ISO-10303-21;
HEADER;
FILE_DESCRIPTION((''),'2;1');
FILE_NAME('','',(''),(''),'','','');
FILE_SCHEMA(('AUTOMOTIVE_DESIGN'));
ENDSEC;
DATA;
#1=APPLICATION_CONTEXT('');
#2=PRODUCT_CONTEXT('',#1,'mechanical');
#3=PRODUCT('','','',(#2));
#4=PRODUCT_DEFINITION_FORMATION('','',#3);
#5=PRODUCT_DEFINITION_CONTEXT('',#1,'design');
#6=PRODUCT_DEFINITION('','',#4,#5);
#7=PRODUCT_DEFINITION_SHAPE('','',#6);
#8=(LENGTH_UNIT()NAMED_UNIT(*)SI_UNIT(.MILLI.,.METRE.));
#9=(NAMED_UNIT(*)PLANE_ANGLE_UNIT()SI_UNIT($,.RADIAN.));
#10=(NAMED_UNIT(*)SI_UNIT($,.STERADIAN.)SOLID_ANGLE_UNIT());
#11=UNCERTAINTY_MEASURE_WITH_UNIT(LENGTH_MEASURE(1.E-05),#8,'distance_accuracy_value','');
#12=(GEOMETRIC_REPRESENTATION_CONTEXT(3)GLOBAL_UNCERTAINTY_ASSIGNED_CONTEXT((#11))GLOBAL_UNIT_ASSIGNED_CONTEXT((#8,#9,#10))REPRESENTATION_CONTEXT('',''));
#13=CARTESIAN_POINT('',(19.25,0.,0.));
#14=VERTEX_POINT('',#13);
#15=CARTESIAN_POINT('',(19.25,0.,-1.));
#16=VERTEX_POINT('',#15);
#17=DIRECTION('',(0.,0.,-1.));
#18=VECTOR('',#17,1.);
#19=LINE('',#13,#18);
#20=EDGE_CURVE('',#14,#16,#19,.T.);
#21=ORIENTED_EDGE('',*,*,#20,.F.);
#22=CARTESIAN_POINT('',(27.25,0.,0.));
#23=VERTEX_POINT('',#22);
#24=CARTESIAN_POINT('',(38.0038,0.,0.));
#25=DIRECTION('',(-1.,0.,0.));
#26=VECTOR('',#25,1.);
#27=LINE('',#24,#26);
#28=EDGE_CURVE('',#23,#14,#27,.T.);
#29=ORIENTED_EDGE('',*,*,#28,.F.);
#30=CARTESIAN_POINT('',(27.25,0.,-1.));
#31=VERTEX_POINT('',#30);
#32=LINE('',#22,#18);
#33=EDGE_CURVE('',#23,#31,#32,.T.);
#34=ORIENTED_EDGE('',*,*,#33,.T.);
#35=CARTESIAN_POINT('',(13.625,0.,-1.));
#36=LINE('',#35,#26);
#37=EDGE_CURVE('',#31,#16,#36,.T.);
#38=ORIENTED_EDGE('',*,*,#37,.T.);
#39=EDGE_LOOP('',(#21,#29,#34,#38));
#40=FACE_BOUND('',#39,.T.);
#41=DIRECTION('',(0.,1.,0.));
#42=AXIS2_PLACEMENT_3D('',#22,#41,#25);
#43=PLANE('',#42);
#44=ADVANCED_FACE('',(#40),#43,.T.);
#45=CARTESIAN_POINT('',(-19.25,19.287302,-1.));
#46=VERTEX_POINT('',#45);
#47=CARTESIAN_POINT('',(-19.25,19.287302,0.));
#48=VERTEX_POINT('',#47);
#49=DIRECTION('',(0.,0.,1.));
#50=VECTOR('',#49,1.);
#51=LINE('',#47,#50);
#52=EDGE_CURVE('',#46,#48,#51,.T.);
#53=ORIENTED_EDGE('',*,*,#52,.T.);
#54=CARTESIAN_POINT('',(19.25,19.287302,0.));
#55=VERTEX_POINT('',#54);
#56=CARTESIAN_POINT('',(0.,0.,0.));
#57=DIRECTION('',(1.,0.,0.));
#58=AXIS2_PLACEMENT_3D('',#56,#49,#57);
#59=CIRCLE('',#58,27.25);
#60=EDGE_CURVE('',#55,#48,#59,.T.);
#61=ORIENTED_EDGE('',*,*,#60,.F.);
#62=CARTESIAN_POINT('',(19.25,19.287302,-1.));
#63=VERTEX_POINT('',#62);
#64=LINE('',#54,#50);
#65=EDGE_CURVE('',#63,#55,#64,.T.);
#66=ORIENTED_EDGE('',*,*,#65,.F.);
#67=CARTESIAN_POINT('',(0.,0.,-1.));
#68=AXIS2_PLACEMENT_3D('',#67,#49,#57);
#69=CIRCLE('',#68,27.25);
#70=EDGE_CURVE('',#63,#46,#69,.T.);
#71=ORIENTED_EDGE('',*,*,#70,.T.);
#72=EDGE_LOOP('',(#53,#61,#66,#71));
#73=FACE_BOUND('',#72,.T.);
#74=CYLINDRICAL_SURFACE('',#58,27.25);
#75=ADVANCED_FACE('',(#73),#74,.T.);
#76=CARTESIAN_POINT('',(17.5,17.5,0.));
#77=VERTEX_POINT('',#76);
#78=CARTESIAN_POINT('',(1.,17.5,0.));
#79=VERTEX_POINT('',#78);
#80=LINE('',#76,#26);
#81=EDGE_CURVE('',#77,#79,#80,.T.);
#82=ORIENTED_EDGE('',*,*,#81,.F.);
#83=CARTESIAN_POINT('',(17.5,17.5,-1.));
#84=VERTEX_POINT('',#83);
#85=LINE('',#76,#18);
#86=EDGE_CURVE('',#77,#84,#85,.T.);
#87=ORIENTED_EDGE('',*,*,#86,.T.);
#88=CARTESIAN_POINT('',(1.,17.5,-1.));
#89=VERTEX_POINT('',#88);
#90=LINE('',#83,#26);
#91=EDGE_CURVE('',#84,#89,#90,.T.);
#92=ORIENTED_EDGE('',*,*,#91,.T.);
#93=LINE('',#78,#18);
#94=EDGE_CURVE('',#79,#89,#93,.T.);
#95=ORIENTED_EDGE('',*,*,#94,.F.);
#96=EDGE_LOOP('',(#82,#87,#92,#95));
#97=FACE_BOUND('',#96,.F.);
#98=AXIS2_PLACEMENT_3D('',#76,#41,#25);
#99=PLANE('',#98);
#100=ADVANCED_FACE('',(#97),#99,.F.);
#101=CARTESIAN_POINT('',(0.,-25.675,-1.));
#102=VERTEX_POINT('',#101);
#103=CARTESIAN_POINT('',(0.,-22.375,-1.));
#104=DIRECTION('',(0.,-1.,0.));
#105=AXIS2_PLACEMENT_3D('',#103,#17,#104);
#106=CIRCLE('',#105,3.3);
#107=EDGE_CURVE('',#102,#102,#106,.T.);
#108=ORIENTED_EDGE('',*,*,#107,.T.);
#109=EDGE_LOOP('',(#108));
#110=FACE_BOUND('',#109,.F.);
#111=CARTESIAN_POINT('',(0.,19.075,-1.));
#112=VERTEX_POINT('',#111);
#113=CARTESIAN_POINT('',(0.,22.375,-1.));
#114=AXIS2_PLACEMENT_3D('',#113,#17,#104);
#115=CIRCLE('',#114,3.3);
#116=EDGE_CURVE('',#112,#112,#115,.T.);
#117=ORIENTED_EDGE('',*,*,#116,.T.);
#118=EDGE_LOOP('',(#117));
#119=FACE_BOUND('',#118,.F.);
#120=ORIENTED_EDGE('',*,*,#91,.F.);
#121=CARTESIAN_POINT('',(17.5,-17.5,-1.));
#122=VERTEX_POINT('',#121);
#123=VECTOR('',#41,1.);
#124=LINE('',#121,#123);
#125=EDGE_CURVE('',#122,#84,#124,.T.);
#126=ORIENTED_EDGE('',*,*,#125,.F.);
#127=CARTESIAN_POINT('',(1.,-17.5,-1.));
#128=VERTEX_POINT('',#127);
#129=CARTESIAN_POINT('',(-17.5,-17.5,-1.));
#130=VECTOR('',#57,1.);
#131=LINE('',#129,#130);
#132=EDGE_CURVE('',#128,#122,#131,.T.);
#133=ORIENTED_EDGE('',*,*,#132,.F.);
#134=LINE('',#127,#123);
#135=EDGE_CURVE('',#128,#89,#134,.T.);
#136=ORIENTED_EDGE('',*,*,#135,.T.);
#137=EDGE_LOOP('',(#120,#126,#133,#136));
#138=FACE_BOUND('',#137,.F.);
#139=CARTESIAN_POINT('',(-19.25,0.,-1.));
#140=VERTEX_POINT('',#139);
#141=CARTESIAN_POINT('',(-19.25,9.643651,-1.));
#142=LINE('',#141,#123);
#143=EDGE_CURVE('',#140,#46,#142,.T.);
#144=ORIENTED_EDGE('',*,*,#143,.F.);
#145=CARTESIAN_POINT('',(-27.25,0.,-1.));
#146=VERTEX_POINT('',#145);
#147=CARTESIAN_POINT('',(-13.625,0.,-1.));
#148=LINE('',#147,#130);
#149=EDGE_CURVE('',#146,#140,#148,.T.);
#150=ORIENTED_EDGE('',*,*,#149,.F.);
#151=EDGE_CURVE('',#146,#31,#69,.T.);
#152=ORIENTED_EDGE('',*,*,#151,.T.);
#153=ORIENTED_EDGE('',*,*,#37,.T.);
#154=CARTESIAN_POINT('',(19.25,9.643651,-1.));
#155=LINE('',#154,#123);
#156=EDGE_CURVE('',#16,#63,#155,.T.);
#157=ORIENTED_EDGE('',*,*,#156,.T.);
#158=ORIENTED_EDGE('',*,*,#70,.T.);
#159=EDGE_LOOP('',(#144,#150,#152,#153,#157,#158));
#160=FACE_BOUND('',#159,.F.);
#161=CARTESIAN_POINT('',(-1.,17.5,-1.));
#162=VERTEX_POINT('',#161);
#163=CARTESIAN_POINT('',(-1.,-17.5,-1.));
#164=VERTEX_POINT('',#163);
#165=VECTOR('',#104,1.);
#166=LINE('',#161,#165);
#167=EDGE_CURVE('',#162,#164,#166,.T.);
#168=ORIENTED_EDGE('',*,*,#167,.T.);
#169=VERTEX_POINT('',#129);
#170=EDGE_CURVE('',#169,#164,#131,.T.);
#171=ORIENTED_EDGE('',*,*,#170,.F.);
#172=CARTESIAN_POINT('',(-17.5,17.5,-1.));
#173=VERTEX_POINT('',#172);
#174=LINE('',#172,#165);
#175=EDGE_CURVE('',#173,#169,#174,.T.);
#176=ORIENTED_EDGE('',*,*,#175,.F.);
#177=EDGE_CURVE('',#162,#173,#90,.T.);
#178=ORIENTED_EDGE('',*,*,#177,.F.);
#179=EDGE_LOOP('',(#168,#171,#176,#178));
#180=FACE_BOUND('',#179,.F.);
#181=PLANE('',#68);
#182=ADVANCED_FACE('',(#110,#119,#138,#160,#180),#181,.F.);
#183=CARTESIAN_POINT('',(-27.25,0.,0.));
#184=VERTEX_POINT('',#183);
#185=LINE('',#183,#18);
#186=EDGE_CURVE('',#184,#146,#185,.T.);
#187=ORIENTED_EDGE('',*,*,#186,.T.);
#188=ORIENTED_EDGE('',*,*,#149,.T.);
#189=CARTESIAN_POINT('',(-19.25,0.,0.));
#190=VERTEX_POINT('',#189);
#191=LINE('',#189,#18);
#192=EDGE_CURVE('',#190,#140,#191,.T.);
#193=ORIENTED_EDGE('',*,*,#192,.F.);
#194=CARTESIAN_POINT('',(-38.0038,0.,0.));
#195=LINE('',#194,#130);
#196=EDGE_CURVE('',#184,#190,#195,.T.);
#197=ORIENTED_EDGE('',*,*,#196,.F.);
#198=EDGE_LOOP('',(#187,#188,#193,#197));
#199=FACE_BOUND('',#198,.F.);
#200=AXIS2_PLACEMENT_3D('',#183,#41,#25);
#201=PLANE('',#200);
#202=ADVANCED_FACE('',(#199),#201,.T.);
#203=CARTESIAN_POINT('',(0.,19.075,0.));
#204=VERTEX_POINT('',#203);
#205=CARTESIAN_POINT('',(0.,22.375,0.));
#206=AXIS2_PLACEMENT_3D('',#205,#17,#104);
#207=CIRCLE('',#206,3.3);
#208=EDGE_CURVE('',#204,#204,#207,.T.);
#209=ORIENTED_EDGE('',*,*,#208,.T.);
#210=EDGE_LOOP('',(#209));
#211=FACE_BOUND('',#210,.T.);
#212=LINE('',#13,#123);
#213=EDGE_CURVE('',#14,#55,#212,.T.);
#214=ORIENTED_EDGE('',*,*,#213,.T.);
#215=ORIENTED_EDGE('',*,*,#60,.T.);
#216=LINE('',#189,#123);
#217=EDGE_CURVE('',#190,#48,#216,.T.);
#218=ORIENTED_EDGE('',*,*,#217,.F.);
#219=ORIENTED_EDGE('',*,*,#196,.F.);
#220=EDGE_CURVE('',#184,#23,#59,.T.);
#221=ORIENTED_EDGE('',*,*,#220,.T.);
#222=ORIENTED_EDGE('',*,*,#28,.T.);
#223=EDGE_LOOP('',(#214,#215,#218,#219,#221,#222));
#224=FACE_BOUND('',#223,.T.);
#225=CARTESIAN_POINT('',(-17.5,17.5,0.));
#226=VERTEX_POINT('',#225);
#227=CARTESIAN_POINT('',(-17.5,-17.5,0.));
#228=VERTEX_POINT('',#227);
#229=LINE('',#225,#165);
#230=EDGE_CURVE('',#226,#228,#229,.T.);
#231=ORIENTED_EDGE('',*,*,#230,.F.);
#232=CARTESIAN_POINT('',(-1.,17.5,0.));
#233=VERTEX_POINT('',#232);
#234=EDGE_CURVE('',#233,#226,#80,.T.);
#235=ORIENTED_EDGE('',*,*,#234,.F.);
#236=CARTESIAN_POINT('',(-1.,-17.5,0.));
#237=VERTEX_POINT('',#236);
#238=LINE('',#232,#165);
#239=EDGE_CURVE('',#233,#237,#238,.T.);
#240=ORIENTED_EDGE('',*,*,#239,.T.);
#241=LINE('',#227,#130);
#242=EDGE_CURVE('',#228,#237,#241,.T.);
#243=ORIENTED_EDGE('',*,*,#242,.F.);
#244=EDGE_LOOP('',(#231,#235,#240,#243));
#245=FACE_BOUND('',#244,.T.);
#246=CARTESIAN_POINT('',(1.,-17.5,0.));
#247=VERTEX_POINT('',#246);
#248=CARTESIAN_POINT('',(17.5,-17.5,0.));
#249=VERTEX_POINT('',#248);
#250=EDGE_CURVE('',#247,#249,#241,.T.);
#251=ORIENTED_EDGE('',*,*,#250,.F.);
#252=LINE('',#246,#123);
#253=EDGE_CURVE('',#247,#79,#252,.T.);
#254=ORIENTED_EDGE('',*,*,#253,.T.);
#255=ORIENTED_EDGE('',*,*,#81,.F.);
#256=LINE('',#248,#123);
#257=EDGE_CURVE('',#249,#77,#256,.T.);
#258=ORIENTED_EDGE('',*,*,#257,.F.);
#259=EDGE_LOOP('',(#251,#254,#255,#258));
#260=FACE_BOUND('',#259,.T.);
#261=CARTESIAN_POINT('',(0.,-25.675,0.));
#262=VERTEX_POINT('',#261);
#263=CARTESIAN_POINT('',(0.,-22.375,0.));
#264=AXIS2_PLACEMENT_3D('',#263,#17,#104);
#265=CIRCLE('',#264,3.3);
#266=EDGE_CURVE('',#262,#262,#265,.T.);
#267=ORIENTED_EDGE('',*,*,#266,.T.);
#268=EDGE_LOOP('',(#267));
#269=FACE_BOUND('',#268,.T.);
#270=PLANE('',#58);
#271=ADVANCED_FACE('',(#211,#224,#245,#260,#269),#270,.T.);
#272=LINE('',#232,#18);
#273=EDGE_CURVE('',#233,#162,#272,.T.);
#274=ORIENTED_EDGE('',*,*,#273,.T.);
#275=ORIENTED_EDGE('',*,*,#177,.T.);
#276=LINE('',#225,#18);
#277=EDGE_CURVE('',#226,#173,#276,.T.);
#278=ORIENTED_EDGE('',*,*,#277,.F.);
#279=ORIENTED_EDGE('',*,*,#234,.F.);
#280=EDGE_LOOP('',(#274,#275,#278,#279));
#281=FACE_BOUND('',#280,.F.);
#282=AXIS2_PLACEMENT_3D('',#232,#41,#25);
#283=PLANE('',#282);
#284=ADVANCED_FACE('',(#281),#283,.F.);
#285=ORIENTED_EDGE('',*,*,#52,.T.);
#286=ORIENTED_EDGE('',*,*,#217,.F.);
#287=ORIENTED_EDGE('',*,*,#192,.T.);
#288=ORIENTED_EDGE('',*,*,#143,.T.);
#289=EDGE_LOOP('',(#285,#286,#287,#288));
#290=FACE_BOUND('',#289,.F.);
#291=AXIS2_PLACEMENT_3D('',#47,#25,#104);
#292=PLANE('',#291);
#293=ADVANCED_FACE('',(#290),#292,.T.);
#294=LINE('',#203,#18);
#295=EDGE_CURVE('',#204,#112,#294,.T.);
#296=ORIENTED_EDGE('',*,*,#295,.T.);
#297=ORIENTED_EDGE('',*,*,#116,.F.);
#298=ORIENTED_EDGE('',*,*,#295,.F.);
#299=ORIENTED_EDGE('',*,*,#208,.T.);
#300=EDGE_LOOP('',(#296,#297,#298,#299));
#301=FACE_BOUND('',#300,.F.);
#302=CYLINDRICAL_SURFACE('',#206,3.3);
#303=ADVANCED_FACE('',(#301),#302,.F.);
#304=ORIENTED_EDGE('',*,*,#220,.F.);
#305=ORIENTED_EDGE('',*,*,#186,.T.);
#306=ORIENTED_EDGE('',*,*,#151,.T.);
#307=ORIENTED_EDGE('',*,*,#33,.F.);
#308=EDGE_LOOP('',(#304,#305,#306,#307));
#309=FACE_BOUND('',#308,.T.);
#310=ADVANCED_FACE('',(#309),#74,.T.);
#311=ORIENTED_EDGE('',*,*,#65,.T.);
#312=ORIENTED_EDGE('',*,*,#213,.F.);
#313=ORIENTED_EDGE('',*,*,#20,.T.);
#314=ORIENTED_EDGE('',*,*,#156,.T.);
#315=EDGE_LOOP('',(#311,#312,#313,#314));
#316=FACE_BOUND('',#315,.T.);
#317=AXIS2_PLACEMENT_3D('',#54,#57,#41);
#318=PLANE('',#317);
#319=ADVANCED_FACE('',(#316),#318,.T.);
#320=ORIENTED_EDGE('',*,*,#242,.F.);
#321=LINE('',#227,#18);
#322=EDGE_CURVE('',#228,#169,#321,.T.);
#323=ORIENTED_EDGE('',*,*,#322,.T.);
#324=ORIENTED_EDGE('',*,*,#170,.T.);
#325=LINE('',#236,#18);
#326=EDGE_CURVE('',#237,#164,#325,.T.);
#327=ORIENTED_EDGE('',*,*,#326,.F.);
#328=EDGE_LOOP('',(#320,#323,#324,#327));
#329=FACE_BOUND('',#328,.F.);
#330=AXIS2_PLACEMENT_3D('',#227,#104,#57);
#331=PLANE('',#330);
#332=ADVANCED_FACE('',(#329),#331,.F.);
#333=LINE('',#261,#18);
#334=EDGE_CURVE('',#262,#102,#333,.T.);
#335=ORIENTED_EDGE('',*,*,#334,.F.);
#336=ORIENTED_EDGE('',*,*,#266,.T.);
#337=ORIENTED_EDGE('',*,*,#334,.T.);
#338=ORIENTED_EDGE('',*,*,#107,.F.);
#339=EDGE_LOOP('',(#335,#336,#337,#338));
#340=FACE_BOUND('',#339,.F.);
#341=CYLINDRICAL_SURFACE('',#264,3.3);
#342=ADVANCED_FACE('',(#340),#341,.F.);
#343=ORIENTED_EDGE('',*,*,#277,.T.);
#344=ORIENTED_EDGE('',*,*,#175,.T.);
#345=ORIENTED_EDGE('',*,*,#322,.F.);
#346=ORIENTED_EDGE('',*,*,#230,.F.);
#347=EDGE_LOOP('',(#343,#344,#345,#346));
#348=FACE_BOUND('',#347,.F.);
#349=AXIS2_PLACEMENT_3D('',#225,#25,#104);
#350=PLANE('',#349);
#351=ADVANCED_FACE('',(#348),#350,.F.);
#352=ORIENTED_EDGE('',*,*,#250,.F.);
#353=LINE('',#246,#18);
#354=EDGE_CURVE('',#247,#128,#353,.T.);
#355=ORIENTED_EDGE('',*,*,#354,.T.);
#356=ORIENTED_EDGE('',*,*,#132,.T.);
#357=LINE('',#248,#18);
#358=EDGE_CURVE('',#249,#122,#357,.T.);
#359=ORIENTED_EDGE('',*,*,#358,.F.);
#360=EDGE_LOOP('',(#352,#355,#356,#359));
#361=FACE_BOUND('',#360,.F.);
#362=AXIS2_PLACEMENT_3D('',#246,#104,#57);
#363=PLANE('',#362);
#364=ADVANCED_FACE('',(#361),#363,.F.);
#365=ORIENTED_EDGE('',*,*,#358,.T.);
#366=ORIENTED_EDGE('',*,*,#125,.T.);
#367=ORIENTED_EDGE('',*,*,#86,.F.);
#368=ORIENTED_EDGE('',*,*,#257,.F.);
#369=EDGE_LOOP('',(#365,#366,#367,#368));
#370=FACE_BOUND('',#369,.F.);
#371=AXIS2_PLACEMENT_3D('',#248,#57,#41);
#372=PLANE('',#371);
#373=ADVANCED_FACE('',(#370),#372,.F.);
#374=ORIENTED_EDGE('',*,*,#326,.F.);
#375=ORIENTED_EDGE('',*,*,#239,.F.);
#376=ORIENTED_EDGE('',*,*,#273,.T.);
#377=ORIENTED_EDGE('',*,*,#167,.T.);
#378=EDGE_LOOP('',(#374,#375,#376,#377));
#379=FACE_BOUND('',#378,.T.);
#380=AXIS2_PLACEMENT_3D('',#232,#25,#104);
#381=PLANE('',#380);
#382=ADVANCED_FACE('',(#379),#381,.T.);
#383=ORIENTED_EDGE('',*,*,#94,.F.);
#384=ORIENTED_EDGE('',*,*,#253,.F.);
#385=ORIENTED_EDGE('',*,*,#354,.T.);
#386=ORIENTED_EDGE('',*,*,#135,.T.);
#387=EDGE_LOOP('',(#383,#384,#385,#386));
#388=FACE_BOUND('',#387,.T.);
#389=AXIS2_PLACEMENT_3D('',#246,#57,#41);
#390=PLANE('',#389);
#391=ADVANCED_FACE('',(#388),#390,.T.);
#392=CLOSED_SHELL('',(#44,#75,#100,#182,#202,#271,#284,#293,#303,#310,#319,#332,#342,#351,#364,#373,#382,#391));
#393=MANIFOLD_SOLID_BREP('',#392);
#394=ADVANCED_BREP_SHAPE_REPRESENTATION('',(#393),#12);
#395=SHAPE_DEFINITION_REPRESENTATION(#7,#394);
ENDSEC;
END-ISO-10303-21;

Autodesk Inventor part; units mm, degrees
ref_plane "YZ Plane" through (0, 0, 0) normal (1, 0, 0) x (0, 1, 0)
ref_plane "XZ Plane" through (0, 0, 0) normal (0, 1, 0) x (-1, 0, 0)
ref_plane "XY Plane" through (0, 0, 0) normal (0, 0, 1) x (1, 0, 0)
sketch "スケッチ1" plane through (0, 0, 0) normal (0, 0, 1) x (1, 0, 0)
  circle A0 centre (0, 0) radius 27.25
  line L0 (17.5, 17.5) -> (-17.5, 17.5)
  line L1 (-17.5, 17.5) -> (-17.5, -17.5)
  line L2 (-17.5, -17.5) -> (17.5, -17.5)
  line L3 (17.5, -17.5) -> (17.5, 17.5)
  line L4 (17.5, 17.5) -> (-17.5, -17.5) construction
  line L5 (-17.5, 17.5) -> (17.5, -17.5) construction
  line L6 (1, 17.5) -> (-1, 17.5)
  line L7 (-1, 17.5) -> (-1, -17.5)
  line L8 (-1, -17.5) -> (1, -17.5)
  line L9 (1, -17.5) -> (1, 17.5)
  line L10 (1, 17.5) -> (-1, -17.5) construction
  line L11 (-1, 17.5) -> (1, -17.5) construction
  point P0 (1, -17.5)
  point P1 (1, 17.5)
  point P2 (-1, 17.5)
  point P3 (-1, -17.5)
  dimension "d0" = 54.5
  dimension "d6" = 35
  dimension "d107" = 2
  dimension "d108" = 35
extrude "押し出し1" add sketch "スケッチ1" against normal blind 1 contours A0 | L9 L2 L7 L0
sketch "スケッチ2" plane through (0, 0, 0) normal (0, 0, 1) x (1, 0, 0)
  line L0 (0, 42.4511) -> (0, -37.5489)
  line L1 (38.0038, 0) -> (-41.9962, 0)
  line L2 (27.25, 42.0143) -> (27.25, -37.9857)
  circle A0 centre (0, 0) radius 27.25 projected
  line L3 (17.5, 17.5) -> (17.5, -17.5) projected
  line L4 (19.25, 25) -> (27.25, 25)
  line L5 (27.25, 25) -> (27.25, -25)
  line L6 (27.25, -25) -> (19.25, -25)
  line L7 (19.25, -25) -> (19.25, 25)
  line L8 (19.25, 25) -> (27.25, -25) construction
  line L9 (27.25, 25) -> (19.25, -25) construction
  point P0 (17.5, 0)
  point P1 (23.25, 0)
  point P2 (19.25, 0)
  point P3 (27.25, 0)
  dimension "d13" = 9.75
  dimension "d14" = 8
  dimension "d15" = 50
  dimension "d19" = 54.5
  dimension "d110" = 1.75
extrude "押し出し2" cut sketch "スケッチ2" against normal blind 10 contours L7 L4 L2 A0 | A0 L1 L7 picked at (20.3822, 11.481)
mirror "ミラー1" about plane through (0, 0, 0) normal (1, 0, 0) of "押し出し2"
sketch "スケッチ8" plane through (0, 0, 0) normal (0, 0, 1) x (1, 0, 0)
  circle A0 centre (0, 0) radius 22.375
  circle A1 centre (0, 0) radius 27.25
  line L0 (0, 31.1603) -> (0, -30.8706)
  point P0 (0, 0)
  point P1 (0, 22.375)
  point P2 (0, -22.375)
  dimension "d112" = 44.75
  dimension "d113" = 54.5
hole "穴5" at (0, 22.375, 0) at (0, -22.375, 0) direction (0, 0, -1) diameter 6.6 end through all clearance for "Countersunk Flat Head Screw ISO 2009/7046" size "M6" standard "ISO"
properties part number "Part3_A_Y" material "鋼、軟鋼"
